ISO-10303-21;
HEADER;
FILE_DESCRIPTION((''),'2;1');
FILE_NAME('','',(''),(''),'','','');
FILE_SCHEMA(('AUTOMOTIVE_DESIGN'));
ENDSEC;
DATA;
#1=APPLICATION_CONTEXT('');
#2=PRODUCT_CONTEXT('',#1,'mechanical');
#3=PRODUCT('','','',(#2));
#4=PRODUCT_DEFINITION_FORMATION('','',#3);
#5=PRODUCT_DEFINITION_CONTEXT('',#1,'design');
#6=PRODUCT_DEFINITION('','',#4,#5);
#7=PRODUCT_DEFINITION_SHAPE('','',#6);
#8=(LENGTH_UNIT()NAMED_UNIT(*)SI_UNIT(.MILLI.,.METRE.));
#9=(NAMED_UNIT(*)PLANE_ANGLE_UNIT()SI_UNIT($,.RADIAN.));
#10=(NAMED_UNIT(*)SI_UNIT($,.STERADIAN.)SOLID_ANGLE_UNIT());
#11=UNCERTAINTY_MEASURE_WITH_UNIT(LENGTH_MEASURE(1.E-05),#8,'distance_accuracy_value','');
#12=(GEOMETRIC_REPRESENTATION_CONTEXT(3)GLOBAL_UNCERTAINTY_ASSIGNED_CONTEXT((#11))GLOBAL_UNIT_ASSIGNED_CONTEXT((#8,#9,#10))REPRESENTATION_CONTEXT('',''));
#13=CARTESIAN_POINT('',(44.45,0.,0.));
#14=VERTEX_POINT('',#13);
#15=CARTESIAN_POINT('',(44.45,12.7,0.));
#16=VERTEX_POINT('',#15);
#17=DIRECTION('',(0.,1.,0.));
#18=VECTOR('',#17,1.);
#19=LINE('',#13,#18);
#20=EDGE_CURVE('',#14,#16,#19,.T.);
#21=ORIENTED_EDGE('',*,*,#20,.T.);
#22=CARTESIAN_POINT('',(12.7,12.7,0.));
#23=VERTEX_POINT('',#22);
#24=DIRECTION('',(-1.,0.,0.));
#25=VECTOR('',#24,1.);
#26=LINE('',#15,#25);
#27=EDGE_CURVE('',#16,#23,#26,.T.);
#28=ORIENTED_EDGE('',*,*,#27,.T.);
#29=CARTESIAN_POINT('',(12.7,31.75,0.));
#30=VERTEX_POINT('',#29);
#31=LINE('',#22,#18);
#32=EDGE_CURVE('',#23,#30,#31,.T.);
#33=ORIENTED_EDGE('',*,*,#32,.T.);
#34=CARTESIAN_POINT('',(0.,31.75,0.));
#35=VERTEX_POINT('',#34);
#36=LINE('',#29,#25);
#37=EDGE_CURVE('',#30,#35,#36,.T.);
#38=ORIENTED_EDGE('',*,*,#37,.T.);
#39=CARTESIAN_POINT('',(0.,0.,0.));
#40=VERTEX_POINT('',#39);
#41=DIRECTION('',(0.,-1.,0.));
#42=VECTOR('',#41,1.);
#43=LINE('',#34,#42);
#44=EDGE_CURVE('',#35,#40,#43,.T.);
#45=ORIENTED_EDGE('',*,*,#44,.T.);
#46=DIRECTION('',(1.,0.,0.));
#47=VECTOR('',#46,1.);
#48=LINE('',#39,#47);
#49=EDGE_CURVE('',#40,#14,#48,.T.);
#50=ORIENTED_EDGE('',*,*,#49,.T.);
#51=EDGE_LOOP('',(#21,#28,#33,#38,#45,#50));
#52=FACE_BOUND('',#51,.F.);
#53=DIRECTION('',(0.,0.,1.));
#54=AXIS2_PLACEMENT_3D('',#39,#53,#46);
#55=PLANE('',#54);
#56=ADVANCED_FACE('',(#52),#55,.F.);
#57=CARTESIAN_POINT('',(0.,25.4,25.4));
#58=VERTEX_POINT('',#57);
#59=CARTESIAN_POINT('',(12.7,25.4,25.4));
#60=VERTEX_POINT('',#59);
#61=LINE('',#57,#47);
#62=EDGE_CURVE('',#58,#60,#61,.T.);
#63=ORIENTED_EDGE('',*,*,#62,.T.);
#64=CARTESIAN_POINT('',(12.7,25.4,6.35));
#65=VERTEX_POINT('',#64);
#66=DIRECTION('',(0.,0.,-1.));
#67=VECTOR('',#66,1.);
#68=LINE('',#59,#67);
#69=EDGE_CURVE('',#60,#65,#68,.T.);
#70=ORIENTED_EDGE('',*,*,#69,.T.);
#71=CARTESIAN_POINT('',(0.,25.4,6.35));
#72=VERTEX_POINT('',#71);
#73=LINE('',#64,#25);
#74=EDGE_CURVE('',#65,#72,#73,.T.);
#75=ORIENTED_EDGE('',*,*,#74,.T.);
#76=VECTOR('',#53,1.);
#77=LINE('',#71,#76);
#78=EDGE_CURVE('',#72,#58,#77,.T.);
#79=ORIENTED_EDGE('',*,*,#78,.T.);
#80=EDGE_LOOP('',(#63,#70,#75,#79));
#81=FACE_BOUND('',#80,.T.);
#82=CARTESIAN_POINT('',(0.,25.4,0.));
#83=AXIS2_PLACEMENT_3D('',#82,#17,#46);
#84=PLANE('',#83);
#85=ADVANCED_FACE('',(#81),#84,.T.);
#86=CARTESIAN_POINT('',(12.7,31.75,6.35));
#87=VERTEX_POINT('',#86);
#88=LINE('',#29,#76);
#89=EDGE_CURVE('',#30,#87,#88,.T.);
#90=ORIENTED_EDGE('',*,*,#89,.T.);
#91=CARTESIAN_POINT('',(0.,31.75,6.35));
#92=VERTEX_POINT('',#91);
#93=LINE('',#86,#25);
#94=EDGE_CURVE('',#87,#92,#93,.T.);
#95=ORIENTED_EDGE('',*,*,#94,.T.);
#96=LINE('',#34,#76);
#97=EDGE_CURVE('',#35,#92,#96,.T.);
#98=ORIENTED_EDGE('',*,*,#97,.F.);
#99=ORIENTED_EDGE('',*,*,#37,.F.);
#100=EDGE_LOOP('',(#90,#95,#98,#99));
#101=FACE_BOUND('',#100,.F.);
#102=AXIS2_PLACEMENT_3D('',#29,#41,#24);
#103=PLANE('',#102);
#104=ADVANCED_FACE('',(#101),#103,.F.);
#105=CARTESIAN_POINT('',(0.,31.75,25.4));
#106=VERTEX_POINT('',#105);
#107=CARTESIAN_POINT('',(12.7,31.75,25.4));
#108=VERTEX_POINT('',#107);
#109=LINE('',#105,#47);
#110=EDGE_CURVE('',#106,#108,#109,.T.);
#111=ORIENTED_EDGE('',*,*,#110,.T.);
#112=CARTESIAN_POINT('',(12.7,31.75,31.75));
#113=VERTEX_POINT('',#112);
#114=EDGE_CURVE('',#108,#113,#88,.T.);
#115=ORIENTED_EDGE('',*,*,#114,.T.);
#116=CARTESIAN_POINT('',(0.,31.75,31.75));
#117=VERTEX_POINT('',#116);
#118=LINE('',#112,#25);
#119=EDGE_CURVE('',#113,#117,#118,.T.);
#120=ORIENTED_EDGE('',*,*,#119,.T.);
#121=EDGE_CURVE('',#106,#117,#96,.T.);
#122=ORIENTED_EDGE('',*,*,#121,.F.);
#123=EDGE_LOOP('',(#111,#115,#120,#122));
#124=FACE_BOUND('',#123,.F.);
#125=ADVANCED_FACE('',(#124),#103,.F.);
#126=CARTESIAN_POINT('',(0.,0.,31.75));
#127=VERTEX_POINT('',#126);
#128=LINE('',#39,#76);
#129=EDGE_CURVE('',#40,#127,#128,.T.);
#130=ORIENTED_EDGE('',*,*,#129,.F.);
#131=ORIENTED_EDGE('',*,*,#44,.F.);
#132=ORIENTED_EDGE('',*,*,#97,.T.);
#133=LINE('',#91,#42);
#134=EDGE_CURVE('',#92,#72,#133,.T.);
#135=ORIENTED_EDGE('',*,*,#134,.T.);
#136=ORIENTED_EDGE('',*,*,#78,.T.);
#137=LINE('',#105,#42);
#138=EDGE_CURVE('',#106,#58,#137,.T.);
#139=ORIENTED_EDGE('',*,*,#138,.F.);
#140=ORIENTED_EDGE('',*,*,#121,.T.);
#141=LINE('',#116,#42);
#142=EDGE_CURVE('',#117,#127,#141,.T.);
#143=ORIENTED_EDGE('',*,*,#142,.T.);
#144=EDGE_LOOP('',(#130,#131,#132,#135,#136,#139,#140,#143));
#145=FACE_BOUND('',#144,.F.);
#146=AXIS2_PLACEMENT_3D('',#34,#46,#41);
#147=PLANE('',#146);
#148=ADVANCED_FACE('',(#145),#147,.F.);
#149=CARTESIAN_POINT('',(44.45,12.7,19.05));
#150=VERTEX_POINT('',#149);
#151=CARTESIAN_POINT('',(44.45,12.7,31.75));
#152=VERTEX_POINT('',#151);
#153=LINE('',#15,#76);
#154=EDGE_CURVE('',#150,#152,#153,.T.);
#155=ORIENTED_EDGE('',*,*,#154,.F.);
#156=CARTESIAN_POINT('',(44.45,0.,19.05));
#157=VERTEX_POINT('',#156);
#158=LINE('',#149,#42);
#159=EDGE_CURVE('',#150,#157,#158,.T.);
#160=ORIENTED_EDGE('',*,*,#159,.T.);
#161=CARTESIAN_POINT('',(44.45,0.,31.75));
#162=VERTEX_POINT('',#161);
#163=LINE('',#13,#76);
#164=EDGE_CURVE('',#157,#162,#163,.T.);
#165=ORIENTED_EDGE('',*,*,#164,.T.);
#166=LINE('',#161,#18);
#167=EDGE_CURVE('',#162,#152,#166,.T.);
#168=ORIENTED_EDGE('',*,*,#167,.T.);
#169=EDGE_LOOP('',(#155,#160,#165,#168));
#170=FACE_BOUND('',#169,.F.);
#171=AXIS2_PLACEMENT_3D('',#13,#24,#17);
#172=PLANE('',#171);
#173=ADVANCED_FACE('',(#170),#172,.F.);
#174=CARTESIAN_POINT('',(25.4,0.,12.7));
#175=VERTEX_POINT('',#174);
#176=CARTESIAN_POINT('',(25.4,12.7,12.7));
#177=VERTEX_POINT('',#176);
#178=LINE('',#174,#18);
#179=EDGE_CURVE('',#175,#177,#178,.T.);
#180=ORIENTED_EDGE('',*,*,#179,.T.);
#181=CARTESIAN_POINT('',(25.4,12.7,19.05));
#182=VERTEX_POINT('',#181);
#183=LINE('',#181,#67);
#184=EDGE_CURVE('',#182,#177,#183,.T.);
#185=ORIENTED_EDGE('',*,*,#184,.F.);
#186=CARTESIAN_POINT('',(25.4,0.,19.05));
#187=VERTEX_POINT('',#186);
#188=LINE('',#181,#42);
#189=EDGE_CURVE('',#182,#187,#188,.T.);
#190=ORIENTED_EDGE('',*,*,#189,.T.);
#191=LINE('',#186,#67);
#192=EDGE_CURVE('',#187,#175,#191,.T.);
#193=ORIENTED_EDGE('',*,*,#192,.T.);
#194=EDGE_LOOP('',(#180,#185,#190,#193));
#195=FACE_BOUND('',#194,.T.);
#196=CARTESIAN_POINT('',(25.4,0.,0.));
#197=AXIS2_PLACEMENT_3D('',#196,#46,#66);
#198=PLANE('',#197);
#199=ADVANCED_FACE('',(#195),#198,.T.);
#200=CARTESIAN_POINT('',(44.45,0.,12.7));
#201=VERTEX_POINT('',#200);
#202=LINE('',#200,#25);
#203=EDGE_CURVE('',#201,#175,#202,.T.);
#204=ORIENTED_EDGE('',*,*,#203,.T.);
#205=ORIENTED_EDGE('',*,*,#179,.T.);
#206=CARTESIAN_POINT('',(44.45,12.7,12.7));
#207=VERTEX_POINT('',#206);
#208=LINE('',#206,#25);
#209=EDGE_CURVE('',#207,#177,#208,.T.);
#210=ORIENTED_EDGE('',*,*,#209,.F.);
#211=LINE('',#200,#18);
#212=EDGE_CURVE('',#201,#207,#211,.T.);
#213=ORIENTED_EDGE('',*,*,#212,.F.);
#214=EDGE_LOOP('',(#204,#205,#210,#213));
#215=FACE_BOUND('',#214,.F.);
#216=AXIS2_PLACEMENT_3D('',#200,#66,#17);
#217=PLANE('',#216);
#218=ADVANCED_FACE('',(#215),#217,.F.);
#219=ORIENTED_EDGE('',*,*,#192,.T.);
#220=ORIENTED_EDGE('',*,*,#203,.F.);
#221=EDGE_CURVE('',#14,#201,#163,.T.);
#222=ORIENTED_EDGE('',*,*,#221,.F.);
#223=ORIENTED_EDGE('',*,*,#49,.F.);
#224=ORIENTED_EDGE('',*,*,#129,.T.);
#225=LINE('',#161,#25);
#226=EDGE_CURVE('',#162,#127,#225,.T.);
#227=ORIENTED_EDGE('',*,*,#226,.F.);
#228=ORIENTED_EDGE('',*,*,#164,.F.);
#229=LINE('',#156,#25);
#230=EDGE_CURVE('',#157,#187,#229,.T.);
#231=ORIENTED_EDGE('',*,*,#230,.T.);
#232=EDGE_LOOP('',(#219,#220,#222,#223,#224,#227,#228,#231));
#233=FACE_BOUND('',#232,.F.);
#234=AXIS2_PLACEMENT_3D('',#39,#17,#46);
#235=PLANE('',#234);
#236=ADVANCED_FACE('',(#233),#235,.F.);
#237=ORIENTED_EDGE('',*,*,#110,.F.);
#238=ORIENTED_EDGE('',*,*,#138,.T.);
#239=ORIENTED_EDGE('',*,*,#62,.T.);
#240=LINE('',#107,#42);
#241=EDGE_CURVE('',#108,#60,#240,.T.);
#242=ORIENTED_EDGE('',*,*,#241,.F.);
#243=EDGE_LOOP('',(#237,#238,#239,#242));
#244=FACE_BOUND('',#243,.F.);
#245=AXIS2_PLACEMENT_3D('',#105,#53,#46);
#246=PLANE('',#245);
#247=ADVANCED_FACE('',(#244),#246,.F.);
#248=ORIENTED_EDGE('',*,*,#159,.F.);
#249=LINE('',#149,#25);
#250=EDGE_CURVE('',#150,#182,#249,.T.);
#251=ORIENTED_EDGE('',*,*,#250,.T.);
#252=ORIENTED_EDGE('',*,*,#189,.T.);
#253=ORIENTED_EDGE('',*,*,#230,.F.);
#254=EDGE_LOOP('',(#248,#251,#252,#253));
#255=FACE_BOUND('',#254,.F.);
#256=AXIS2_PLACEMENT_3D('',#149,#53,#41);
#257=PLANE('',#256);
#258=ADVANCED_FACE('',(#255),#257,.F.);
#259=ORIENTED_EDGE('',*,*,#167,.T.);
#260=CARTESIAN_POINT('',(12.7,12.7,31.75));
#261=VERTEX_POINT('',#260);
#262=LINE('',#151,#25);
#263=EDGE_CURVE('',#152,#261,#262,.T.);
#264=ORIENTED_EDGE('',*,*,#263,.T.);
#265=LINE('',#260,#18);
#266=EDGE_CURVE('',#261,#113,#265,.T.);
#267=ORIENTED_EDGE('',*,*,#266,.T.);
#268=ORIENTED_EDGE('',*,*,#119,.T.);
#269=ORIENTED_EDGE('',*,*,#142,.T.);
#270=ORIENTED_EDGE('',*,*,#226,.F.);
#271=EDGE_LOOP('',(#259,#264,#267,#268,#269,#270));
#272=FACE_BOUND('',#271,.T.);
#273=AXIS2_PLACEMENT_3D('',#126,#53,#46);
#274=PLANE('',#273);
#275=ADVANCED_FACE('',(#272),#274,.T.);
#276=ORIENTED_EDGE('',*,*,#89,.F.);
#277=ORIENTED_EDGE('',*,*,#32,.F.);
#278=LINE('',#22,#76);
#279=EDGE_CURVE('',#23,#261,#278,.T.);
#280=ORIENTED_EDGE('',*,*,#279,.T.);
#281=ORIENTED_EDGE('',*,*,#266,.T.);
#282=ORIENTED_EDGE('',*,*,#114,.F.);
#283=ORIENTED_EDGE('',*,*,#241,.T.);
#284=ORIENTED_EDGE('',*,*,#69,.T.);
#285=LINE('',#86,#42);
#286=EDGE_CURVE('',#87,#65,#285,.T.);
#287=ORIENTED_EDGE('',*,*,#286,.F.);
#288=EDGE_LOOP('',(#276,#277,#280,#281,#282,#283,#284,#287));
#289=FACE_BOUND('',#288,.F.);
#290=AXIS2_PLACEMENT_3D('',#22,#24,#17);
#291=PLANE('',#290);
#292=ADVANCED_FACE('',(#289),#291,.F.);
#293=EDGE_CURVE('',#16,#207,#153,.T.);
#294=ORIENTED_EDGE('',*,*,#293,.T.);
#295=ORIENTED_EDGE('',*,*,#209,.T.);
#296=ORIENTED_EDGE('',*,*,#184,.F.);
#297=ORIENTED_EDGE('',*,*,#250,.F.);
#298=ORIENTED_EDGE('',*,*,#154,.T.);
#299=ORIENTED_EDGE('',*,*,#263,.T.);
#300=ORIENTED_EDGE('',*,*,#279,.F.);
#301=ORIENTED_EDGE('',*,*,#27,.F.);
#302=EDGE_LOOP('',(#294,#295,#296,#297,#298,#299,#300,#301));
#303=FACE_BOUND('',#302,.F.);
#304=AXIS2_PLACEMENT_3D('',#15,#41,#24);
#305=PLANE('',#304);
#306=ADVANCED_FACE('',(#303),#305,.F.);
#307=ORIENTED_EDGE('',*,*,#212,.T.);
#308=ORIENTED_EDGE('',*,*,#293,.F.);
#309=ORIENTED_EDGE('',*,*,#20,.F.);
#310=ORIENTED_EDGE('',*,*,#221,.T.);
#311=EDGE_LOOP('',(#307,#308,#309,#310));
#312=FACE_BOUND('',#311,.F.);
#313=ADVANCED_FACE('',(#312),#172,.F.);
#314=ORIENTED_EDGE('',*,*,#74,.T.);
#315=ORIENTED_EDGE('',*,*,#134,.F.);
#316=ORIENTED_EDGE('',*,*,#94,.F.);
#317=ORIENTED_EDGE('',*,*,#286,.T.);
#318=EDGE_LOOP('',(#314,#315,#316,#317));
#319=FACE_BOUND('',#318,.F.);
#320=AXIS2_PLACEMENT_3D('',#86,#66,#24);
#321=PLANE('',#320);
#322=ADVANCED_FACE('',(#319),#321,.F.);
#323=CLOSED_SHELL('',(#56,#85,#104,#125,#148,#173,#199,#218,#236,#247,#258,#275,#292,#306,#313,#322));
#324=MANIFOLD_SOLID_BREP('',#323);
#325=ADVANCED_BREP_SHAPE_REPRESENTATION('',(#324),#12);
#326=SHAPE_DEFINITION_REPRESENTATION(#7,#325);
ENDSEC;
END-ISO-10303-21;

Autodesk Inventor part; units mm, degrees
ref_plane "YZ Plane" through (0, 0, 0) normal (1, 0, 0) x (0, 1, 0)
ref_plane "XZ Plane" through (0, 0, 0) normal (0, 1, 0) x (-1, 0, 0)
ref_plane "XY Plane" through (0, 0, 0) normal (0, 0, 1) x (1, 0, 0)
sketch "Sketch1" plane through (0, 0, 0) normal (0, 0, 1) x (1, 0, 0)
  line L0 (0, 0) -> (9.2453, 0)
  line L1 (0, 0) -> (44.45, 0)
  line L2 (44.45, 0) -> (44.45, 12.7)
  line L3 (44.45, 12.7) -> (12.7, 12.7)
  line L4 (12.7, 12.7) -> (12.7, 31.75)
  line L5 (12.7, 31.75) -> (0, 31.75)
  line L6 (0, 31.75) -> (0, 0)
  dimension "d0" = 44.45
  dimension "d1" = 12.7
  dimension "d2" = 31.75
  dimension "d3" = 19.05
  dimension "d4" = 12.7
extrude "Extrusion1" add sketch "Sketch1" along normal blind 31.75
sketch "Sketch2" plane through (44.45, 0, 0) normal (1, 0, 0) x (0, 0, -1)
  line L0 (0, 12.7) -> (-31.75, 12.7) projected
  line L1 (-15.875, 12.7) -> (-12.7, 12.7)
  line L2 (-12.7, 12.7) -> (-19.05, 12.7)
  line L3 (-19.05, 12.7) -> (-19.05, 0)
  line L4 (-19.05, 0) -> (-12.7, 0)
  line L5 (-12.7, 0) -> (-12.7, 12.7)
  point P0 (0, 0)
  point P1 (-19.05, 12.7)
  dimension "d7" = 3.175
  dimension "d8" = 6.35
  dimension "d9" = 12.7
extrude "Extrusion2" cut sketch "Sketch2" against normal blind 19.05
sketch "Sketch4" plane through (0, 31.75, 0) normal (0, 1, 0) x (1, 0, 0)
  line L0 (0, -25.4) -> (12.7, -25.4)
  line L1 (12.7, -25.4) -> (12.7, -6.35)
  line L2 (12.7, -6.35) -> (0, -6.35)
  line L3 (0, -6.35) -> (0, -25.4)
  line L4 (12.7, -31.75) -> (0, -31.75) projected
  line L5 (0, 0) -> (0, -31.75) projected
  dimension "d17" = 19.05
  dimension "d18" = 12.7
  dimension "d19" = 6.35
  dimension "d20" = 0
extrude "Extrusion4" cut sketch "Sketch4" against normal blind 6.35
properties part number "7.1 Part 1"
